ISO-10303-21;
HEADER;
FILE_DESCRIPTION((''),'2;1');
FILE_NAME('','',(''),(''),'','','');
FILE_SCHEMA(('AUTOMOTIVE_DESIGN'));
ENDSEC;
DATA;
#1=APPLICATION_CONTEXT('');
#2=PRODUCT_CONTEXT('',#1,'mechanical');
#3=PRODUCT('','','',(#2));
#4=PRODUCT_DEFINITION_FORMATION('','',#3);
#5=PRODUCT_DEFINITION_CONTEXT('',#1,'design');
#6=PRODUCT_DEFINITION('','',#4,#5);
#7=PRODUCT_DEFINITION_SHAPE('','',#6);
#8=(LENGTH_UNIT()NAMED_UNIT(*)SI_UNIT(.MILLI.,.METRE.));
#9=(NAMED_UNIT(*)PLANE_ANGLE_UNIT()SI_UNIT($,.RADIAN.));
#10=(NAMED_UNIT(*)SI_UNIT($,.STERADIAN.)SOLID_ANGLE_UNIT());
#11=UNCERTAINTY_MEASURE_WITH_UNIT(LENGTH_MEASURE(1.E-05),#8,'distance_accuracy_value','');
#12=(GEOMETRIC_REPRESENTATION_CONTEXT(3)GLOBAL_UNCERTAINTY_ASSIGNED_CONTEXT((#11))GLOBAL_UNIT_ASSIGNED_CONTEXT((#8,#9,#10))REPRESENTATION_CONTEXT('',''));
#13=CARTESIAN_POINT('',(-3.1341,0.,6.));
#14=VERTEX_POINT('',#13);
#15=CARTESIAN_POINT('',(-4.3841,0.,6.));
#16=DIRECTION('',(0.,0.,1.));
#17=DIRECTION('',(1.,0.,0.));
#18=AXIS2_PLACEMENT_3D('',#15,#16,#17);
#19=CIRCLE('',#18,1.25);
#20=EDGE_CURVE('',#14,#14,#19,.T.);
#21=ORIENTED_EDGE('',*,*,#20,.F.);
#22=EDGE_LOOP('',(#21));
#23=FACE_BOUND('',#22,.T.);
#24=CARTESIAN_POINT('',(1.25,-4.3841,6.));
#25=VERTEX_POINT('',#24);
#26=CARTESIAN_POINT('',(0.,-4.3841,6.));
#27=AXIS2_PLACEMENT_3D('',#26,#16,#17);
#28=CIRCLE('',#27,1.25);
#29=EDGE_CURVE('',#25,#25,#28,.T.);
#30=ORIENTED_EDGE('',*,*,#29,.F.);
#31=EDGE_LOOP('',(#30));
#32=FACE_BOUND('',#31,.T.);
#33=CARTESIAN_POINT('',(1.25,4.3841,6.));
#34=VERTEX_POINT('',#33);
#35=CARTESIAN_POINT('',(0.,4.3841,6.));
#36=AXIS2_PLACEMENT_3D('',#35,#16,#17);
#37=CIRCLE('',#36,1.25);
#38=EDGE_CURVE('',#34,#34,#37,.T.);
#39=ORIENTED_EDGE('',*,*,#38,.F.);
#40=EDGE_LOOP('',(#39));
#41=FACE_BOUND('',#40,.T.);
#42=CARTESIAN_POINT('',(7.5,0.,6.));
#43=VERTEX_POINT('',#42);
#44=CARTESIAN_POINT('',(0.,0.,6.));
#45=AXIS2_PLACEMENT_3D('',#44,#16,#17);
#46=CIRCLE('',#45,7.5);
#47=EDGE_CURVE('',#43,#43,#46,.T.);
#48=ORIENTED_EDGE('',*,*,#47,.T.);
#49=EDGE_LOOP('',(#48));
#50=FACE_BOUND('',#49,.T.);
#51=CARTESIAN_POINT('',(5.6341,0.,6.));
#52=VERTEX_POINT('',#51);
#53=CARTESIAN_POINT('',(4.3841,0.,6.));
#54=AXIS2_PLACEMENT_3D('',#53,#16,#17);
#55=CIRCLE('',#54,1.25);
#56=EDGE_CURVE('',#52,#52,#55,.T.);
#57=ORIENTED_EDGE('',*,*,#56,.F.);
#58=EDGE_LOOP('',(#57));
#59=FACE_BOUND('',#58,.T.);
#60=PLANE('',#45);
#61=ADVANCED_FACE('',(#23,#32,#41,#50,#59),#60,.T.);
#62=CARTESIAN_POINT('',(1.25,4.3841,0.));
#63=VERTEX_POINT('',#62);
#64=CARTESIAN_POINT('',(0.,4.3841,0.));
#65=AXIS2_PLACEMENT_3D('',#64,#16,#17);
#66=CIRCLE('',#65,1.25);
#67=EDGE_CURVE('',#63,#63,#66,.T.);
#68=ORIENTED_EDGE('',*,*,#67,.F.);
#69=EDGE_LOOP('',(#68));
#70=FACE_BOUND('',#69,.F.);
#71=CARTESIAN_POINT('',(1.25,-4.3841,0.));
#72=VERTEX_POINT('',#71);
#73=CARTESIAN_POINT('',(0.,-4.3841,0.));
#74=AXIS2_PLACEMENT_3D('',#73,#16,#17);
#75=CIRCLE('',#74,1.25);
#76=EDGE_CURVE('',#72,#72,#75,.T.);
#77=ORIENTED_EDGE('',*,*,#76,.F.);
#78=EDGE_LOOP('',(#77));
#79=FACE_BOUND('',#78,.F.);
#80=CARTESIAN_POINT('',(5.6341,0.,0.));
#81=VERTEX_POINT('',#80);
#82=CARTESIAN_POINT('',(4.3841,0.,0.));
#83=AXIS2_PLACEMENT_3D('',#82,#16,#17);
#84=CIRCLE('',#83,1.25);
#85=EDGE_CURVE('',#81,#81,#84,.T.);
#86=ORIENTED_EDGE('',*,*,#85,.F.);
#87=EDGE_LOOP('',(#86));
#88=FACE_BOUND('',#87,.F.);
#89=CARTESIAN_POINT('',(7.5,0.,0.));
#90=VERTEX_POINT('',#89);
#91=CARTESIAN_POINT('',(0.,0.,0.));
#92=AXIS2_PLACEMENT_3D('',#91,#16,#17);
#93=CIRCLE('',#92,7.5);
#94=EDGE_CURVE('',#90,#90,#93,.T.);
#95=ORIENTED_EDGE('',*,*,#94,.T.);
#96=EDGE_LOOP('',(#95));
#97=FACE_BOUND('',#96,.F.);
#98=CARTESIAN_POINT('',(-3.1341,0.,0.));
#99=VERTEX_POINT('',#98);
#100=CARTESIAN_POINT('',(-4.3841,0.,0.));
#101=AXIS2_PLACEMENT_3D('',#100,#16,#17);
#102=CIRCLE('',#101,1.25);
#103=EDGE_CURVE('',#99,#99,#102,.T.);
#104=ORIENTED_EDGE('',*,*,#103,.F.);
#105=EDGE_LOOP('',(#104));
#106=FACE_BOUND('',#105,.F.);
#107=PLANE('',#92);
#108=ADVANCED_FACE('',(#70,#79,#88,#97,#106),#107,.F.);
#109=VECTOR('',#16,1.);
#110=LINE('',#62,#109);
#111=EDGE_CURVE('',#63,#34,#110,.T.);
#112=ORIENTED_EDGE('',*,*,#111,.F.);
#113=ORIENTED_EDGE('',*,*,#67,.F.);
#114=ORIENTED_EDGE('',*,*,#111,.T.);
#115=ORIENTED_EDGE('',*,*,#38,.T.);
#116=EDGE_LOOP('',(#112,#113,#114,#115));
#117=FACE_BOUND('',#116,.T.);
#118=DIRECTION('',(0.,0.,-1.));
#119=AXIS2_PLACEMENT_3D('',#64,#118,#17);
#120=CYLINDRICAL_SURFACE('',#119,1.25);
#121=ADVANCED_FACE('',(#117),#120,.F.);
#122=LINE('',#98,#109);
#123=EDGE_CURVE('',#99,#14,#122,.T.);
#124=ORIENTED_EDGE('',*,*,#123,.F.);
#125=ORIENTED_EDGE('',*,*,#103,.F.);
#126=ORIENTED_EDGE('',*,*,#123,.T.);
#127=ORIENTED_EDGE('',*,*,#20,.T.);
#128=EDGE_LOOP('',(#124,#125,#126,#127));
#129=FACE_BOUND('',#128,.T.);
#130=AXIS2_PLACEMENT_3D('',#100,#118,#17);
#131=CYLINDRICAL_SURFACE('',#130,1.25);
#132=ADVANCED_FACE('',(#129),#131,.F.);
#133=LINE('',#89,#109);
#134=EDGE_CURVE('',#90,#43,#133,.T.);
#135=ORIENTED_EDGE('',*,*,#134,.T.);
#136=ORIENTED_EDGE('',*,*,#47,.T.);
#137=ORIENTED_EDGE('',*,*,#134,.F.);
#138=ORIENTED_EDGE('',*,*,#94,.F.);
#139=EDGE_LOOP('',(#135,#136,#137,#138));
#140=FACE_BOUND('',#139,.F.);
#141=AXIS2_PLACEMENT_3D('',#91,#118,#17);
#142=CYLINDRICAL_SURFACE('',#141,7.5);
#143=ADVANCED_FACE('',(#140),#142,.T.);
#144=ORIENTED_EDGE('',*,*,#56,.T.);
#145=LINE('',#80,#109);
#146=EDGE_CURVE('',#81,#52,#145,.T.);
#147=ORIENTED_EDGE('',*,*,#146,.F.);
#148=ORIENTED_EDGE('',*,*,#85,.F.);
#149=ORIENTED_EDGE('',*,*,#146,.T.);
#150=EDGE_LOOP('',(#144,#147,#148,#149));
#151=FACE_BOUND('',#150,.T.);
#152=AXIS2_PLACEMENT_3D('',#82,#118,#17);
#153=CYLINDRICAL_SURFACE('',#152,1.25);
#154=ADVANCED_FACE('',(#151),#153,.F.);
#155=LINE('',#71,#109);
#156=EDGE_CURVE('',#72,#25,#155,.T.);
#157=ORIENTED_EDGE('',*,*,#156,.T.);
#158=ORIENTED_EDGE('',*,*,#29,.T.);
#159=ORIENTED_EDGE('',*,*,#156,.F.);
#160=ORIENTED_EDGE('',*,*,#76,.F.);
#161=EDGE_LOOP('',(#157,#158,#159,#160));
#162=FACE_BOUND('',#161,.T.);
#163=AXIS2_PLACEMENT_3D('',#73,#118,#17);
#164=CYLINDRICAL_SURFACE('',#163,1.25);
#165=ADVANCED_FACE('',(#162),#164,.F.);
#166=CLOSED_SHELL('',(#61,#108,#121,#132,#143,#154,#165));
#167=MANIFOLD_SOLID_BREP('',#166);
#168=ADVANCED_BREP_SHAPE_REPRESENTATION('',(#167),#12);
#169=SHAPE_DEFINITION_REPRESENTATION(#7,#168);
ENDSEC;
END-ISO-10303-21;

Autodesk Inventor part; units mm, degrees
ref_plane "YZ Plane" through (0, 0, 0) normal (1, 0, 0) x (0, 1, 0)
ref_plane "XZ Plane" through (0, 0, 0) normal (0, 1, 0) x (-1, 0, 0)
ref_plane "XY Plane" through (0, 0, 0) normal (0, 0, 1) x (1, 0, 0)
sketch "Sketch1" plane through (0, 0, 0) normal (0, 0, 1) x (1, 0, 0)
  circle A0 centre (0, 4.3841) radius 1.25
  circle A1 centre (-4.3841, 0) radius 1.25
  circle A2 centre (0, -4.3841) radius 1.25
  circle A3 centre (4.3841, 0) radius 1.25
  circle A4 centre (0, 0) radius 7.5
  dimension "d0" = 15
extrude "Extrusion1" add sketch "Sketch1" along normal blind 6
properties part number "カム4" material "Aluminum 2014-T6"
